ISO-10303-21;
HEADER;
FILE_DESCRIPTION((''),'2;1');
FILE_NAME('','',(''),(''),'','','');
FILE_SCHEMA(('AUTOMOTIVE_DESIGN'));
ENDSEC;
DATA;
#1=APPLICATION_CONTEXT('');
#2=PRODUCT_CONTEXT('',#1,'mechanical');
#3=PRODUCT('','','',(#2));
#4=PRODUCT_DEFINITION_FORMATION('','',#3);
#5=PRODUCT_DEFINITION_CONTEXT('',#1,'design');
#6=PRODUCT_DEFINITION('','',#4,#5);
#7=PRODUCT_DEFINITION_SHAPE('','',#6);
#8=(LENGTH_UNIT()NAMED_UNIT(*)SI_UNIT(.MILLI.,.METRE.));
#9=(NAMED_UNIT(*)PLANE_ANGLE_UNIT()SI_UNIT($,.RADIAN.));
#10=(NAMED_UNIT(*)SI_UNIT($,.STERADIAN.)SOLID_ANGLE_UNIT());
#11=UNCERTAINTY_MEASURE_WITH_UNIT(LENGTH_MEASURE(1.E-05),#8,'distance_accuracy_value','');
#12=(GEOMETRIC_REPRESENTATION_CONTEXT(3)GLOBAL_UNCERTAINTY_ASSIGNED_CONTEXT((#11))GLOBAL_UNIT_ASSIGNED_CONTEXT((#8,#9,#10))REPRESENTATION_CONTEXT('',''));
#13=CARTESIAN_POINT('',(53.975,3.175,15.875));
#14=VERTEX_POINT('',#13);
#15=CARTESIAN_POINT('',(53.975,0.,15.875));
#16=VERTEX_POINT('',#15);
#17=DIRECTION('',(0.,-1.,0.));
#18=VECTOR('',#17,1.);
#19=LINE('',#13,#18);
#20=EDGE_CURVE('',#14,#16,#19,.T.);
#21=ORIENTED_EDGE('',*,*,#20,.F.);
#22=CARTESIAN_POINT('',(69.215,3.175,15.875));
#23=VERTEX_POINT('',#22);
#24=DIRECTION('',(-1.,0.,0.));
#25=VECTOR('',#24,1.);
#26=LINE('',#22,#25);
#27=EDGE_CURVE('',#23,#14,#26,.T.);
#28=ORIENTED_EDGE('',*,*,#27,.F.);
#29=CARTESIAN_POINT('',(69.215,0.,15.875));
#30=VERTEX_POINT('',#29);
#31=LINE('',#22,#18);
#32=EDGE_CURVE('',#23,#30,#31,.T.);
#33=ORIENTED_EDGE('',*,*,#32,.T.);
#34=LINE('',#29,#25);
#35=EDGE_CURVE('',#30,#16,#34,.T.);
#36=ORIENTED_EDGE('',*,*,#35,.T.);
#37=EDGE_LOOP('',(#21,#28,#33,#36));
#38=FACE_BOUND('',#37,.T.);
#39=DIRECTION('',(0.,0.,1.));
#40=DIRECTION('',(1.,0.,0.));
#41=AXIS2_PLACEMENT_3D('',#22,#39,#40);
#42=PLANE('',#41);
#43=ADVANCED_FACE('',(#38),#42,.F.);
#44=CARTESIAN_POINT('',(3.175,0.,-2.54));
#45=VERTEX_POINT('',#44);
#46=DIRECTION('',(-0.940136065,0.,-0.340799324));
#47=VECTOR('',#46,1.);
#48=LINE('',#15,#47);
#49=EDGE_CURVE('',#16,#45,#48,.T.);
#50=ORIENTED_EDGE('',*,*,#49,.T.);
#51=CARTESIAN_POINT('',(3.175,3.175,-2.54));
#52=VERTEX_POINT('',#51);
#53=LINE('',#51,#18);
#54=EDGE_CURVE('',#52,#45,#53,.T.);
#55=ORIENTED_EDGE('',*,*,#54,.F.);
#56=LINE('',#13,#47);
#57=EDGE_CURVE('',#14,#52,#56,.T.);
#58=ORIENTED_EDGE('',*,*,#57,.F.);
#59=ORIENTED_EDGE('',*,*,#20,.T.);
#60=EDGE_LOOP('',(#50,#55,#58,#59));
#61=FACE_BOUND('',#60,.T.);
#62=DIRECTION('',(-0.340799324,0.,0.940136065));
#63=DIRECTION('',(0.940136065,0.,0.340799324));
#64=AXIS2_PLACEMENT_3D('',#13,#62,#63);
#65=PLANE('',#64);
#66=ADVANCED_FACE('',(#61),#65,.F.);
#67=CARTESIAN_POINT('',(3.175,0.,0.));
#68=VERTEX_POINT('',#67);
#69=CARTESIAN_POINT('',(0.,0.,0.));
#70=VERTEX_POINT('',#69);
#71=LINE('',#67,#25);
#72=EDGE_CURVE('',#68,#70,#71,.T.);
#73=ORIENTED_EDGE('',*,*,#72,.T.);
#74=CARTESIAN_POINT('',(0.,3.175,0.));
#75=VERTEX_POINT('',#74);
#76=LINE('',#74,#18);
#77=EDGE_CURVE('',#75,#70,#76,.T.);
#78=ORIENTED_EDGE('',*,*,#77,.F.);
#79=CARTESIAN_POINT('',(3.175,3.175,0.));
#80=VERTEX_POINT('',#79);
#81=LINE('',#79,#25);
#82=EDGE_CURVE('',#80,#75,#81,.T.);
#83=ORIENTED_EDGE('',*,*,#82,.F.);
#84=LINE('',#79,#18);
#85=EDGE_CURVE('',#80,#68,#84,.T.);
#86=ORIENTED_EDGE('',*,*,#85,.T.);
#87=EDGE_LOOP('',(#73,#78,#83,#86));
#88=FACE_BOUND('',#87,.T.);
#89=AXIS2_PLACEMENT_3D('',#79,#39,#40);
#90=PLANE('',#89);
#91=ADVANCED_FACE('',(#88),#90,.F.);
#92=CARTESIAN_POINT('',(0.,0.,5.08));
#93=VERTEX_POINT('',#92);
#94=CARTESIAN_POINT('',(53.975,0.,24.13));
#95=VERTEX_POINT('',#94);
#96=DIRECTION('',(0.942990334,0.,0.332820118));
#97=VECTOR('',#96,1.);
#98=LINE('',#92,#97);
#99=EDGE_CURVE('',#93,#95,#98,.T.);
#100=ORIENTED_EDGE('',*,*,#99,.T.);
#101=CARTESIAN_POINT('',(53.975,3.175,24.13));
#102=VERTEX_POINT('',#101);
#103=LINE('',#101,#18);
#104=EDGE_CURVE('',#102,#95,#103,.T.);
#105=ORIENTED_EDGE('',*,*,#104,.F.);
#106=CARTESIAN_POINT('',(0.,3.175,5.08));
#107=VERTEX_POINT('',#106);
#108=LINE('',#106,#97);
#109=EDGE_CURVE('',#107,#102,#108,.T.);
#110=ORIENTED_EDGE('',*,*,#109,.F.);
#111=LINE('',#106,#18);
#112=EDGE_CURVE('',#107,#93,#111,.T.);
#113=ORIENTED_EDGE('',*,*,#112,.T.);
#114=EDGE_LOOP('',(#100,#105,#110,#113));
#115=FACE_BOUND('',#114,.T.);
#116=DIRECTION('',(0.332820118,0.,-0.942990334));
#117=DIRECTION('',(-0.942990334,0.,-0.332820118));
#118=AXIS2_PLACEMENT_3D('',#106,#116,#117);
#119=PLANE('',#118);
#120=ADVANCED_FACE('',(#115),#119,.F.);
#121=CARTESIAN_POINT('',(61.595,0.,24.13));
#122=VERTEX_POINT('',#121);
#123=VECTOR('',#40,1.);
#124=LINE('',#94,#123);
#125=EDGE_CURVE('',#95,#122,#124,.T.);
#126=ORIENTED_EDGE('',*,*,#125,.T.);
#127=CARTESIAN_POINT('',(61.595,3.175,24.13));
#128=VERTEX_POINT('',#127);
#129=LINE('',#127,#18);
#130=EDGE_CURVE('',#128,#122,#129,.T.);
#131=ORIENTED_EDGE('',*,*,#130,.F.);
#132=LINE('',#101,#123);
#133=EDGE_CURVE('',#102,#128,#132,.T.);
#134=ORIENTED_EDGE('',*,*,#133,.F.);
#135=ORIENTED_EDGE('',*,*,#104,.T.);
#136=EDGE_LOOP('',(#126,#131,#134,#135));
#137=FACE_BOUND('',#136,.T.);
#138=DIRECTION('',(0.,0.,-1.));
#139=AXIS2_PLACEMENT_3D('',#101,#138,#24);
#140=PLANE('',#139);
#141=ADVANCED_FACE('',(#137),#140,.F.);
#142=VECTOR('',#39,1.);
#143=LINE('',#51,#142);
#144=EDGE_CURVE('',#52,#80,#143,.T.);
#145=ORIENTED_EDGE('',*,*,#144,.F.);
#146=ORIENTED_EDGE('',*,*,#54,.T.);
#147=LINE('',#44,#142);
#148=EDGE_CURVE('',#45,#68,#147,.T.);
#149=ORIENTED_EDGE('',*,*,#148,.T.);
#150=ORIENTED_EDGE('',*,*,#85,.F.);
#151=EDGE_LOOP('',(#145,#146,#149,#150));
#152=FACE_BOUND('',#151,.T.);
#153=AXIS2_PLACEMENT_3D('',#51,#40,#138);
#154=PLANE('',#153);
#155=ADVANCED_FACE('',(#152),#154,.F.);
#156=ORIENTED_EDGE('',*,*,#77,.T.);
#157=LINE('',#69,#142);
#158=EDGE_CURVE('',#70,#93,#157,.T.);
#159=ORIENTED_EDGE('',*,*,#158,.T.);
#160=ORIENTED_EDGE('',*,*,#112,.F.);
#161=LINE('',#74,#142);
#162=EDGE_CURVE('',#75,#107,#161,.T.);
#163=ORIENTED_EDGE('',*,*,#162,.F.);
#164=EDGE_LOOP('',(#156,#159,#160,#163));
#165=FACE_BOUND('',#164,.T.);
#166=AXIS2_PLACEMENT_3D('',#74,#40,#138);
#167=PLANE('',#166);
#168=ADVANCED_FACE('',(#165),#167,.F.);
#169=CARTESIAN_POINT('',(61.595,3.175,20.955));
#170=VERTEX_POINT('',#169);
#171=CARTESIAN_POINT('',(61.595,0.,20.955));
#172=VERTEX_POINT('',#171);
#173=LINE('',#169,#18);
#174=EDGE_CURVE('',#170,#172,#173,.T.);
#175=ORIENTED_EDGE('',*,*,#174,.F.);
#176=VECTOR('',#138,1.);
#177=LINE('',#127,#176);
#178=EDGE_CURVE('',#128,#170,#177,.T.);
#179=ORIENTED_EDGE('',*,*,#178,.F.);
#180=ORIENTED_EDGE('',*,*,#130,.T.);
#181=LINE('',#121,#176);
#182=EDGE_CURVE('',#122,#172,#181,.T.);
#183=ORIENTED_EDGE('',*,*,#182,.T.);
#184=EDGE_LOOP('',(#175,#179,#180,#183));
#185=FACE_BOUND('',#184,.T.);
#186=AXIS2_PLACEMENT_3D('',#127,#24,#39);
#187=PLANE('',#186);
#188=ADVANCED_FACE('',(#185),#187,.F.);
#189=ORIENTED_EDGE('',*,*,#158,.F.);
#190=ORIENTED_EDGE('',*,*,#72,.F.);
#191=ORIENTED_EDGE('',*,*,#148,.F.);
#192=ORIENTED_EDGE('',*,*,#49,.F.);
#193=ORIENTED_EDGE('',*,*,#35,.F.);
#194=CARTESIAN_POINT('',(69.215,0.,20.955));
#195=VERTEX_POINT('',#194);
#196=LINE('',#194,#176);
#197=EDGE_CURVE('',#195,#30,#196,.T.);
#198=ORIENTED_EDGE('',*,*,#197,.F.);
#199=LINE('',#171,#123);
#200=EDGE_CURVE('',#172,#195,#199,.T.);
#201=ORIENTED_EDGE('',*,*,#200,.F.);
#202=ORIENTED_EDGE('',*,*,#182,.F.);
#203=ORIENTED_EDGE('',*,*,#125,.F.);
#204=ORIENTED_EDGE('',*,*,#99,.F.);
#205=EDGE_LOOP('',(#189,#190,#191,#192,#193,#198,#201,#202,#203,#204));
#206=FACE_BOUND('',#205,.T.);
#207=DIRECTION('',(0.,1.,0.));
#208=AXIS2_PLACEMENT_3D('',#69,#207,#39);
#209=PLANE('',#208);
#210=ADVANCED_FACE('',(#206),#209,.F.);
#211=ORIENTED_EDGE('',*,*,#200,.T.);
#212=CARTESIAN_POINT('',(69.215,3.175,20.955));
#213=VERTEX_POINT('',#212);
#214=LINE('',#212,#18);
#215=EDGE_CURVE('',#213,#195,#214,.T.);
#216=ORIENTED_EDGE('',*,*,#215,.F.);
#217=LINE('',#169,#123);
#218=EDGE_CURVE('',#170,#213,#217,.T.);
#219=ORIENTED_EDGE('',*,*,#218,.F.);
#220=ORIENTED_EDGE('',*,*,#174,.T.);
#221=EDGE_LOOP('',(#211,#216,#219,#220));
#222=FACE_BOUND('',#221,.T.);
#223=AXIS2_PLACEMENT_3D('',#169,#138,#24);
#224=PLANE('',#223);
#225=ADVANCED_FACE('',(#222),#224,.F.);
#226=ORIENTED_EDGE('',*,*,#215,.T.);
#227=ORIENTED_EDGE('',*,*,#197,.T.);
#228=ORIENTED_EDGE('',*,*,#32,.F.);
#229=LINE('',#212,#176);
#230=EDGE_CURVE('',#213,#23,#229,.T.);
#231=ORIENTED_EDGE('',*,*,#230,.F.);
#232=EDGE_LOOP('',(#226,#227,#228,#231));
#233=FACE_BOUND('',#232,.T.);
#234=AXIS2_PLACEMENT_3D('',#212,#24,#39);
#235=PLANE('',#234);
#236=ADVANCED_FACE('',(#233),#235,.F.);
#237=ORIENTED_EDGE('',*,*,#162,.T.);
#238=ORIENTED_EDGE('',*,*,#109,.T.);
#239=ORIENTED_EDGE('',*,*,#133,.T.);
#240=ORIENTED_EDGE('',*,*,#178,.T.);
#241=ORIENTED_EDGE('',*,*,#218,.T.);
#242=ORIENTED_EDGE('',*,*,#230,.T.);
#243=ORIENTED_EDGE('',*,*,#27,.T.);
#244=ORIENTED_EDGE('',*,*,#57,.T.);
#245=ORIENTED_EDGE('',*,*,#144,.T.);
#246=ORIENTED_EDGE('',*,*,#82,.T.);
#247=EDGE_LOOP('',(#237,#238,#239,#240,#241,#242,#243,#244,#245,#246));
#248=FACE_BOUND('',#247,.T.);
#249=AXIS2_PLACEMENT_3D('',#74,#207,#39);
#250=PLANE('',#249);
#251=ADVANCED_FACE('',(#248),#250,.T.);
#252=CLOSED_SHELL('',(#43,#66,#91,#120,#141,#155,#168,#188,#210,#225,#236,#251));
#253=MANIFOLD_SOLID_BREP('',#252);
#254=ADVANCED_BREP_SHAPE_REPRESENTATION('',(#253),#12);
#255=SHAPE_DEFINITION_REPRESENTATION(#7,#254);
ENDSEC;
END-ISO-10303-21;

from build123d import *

# Parameters (mm, degrees)
BOSS_EXTRUDE1_DEPTH = 3.175


with BuildPart() as part:
    # Sketch2 → Boss-Extrude1 (new body)
    with BuildSketch(Plane(origin=(0, 0, 0), x_dir=(1, 0, 0), z_dir=(0, 1, 0))):
        Polygon((0, 0), (0, -5.08), (53.975, -24.13), (61.595, -24.13), (61.595, -20.955), (69.215, -20.955), (69.215, -15.875), (53.975, -15.875), (3.175, 2.54), (3.175, 0), align=None)
    extrude(amount=BOSS_EXTRUDE1_DEPTH)


solid = part.part
